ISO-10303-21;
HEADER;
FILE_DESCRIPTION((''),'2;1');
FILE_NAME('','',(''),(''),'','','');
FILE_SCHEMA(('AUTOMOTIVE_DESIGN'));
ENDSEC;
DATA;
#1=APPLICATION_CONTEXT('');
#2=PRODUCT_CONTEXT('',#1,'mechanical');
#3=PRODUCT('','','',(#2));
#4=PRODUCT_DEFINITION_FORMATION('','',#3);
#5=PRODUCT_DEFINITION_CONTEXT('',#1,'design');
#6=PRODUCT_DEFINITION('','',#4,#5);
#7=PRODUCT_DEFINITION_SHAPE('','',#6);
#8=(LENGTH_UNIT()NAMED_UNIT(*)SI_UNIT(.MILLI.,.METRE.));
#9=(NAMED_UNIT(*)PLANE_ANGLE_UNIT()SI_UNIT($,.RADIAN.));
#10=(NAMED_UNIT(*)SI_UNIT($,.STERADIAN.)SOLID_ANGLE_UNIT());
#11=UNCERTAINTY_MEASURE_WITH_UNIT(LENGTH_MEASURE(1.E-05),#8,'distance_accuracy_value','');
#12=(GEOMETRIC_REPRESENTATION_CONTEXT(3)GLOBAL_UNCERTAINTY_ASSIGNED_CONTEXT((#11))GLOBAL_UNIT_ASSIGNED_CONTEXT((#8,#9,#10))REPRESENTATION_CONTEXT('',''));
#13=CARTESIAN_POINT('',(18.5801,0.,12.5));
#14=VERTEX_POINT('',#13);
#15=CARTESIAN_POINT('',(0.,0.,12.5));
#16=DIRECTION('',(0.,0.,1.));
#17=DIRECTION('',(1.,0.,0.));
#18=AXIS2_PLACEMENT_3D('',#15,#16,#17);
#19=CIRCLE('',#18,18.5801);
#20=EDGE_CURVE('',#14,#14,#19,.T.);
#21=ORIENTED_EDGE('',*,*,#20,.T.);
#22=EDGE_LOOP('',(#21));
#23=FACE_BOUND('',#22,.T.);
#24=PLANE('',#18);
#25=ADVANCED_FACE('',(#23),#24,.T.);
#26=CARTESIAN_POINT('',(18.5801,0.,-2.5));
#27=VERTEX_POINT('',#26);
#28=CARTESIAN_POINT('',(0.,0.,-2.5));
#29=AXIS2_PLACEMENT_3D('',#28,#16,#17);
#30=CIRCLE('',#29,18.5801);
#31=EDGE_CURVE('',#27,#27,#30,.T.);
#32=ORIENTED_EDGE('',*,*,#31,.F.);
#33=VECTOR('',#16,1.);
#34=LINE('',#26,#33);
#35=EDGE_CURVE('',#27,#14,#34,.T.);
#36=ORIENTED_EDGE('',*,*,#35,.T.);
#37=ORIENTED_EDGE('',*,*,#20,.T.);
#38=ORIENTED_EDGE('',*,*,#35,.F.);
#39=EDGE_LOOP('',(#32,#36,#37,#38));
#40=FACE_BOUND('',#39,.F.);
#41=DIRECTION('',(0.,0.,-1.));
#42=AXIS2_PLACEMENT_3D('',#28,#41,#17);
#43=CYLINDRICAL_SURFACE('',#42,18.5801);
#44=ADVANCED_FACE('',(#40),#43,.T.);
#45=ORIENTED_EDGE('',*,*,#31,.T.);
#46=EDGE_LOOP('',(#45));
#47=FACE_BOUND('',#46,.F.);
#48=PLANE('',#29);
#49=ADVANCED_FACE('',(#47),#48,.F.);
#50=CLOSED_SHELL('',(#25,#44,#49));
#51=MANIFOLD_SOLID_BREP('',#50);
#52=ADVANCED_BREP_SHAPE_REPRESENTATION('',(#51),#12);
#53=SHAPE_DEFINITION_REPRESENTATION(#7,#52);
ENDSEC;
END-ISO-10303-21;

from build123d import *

# Parameters (mm, degrees)
CYLINDER_R     = 18.5801
CYLINDER_DEPTH = 15


with BuildPart() as part:
    # Cylinder → Cylinder (new body)
    with BuildSketch(Plane.XY.offset(-2.5)):
        Circle(CYLINDER_R)
    extrude(amount=CYLINDER_DEPTH)


solid = part.part
